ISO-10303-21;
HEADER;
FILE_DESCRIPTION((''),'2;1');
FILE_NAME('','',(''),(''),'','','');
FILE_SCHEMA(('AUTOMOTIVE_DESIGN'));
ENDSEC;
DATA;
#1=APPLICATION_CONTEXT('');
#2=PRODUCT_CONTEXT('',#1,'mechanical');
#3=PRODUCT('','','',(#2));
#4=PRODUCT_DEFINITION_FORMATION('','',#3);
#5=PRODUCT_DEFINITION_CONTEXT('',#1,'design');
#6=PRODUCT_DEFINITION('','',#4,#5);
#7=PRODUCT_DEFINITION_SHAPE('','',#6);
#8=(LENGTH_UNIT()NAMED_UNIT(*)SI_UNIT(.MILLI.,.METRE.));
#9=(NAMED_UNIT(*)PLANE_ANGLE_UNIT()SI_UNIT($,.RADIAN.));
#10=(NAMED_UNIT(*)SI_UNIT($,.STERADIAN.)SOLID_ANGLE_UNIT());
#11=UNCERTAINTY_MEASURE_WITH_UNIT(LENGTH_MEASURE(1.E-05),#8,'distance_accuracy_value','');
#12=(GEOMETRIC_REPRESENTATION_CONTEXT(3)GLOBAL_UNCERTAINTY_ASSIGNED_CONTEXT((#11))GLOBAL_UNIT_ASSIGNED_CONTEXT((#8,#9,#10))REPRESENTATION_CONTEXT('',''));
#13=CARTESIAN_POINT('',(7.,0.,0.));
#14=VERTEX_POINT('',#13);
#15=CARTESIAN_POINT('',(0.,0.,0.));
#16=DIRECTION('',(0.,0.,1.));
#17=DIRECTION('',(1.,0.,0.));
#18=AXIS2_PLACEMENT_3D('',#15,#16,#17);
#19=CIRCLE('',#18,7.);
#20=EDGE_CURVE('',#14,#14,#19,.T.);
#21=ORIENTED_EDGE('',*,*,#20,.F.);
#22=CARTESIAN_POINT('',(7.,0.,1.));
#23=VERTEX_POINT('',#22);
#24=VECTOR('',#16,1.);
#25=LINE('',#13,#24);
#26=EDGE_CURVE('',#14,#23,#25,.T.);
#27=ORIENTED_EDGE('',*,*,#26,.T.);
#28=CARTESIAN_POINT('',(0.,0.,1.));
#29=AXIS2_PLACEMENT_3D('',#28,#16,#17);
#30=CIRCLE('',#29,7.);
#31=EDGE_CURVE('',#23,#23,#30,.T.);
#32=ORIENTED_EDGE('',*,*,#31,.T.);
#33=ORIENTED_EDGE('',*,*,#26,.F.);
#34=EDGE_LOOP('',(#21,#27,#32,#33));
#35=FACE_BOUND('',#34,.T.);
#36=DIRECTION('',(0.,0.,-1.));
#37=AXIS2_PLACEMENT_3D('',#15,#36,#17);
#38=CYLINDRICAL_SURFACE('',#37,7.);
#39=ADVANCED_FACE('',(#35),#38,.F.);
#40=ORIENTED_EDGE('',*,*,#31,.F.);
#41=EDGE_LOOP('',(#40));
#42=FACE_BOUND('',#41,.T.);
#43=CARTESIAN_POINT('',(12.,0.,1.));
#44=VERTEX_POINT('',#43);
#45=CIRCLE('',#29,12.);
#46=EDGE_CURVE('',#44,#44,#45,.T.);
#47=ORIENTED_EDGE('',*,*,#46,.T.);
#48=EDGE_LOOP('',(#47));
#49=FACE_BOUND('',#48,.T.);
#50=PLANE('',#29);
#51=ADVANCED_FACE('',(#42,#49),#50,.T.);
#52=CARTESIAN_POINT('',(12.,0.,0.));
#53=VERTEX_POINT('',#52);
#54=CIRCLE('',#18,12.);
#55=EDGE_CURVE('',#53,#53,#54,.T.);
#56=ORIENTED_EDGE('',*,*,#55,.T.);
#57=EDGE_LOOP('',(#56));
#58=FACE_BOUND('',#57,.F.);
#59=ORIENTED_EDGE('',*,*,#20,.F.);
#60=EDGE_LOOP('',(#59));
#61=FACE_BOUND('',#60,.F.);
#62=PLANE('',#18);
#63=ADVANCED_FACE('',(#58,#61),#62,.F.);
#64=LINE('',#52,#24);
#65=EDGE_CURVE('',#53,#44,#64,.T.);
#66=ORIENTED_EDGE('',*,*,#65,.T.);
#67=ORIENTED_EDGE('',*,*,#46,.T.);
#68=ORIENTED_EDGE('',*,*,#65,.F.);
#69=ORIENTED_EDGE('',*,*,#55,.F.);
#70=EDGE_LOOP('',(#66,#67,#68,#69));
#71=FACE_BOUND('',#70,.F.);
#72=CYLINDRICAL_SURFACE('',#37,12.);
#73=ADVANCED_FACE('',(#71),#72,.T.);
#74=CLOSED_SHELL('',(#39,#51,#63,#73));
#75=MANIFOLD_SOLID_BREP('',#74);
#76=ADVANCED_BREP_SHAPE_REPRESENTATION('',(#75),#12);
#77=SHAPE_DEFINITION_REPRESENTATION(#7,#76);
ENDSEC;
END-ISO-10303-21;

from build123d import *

# Parameters (mm, degrees)
SKETCH_R   = 12
SKETCH_R_2 = 7
PAD_DEPTH  = 1


with BuildPart() as part:
    # Sketch → Pad (new body)
    with BuildSketch(Plane.XY):
        Circle(SKETCH_R)
        Circle(SKETCH_R_2, mode=Mode.SUBTRACT)
    extrude(amount=PAD_DEPTH)


solid = part.part
